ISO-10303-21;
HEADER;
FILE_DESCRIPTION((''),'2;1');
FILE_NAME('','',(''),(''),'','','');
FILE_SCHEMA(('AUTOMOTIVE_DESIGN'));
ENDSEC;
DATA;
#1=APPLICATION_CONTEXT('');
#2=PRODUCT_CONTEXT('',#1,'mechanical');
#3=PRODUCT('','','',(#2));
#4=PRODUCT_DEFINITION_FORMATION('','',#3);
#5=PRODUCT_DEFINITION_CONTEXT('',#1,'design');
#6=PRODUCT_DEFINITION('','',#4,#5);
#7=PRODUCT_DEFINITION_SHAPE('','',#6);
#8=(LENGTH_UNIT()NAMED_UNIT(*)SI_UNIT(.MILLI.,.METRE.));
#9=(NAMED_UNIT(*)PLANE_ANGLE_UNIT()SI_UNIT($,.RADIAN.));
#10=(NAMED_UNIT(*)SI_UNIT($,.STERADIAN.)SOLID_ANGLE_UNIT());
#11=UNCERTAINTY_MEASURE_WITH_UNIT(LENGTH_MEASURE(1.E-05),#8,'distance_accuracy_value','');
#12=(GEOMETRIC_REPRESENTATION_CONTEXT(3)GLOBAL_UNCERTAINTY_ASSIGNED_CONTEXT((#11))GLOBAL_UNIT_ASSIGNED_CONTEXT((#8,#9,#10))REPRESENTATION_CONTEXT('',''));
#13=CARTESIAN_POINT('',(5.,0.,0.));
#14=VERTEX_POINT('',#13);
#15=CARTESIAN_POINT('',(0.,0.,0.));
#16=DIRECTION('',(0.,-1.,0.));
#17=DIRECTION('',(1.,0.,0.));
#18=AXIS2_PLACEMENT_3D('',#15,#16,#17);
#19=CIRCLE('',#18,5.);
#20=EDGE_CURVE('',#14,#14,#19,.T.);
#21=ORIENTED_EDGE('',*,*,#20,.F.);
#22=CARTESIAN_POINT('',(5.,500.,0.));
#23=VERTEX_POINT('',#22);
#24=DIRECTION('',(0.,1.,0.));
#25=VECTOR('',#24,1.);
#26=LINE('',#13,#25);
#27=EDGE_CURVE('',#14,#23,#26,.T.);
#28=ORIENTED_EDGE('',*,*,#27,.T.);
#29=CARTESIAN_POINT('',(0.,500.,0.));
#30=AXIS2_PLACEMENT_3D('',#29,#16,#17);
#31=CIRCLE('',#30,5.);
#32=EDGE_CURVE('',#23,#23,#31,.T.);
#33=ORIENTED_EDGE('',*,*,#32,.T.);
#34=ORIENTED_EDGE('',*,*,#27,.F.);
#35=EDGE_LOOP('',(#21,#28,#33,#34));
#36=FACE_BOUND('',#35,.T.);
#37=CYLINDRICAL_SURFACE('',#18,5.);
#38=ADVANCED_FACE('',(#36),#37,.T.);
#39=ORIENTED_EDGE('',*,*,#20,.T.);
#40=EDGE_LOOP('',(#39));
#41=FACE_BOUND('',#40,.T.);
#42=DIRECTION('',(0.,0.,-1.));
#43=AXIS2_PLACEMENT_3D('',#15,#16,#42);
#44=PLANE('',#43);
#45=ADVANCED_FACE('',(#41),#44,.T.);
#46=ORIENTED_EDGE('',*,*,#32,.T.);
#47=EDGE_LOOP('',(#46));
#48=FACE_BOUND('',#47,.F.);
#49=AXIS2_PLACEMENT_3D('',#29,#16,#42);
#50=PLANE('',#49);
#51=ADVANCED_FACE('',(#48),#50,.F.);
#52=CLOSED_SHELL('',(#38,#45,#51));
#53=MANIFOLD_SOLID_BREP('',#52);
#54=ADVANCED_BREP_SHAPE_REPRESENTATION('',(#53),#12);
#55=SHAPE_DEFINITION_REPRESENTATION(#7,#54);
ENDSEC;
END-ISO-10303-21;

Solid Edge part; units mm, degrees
sketch "Sketch1" plane through (0, 0, 0) normal (0, -1, 0) x (1, 0, 0)
  circle A0 centre (0, 0) radius 5
extrude "Protrusion1" add sketch "Sketch1" against normal blind 500
